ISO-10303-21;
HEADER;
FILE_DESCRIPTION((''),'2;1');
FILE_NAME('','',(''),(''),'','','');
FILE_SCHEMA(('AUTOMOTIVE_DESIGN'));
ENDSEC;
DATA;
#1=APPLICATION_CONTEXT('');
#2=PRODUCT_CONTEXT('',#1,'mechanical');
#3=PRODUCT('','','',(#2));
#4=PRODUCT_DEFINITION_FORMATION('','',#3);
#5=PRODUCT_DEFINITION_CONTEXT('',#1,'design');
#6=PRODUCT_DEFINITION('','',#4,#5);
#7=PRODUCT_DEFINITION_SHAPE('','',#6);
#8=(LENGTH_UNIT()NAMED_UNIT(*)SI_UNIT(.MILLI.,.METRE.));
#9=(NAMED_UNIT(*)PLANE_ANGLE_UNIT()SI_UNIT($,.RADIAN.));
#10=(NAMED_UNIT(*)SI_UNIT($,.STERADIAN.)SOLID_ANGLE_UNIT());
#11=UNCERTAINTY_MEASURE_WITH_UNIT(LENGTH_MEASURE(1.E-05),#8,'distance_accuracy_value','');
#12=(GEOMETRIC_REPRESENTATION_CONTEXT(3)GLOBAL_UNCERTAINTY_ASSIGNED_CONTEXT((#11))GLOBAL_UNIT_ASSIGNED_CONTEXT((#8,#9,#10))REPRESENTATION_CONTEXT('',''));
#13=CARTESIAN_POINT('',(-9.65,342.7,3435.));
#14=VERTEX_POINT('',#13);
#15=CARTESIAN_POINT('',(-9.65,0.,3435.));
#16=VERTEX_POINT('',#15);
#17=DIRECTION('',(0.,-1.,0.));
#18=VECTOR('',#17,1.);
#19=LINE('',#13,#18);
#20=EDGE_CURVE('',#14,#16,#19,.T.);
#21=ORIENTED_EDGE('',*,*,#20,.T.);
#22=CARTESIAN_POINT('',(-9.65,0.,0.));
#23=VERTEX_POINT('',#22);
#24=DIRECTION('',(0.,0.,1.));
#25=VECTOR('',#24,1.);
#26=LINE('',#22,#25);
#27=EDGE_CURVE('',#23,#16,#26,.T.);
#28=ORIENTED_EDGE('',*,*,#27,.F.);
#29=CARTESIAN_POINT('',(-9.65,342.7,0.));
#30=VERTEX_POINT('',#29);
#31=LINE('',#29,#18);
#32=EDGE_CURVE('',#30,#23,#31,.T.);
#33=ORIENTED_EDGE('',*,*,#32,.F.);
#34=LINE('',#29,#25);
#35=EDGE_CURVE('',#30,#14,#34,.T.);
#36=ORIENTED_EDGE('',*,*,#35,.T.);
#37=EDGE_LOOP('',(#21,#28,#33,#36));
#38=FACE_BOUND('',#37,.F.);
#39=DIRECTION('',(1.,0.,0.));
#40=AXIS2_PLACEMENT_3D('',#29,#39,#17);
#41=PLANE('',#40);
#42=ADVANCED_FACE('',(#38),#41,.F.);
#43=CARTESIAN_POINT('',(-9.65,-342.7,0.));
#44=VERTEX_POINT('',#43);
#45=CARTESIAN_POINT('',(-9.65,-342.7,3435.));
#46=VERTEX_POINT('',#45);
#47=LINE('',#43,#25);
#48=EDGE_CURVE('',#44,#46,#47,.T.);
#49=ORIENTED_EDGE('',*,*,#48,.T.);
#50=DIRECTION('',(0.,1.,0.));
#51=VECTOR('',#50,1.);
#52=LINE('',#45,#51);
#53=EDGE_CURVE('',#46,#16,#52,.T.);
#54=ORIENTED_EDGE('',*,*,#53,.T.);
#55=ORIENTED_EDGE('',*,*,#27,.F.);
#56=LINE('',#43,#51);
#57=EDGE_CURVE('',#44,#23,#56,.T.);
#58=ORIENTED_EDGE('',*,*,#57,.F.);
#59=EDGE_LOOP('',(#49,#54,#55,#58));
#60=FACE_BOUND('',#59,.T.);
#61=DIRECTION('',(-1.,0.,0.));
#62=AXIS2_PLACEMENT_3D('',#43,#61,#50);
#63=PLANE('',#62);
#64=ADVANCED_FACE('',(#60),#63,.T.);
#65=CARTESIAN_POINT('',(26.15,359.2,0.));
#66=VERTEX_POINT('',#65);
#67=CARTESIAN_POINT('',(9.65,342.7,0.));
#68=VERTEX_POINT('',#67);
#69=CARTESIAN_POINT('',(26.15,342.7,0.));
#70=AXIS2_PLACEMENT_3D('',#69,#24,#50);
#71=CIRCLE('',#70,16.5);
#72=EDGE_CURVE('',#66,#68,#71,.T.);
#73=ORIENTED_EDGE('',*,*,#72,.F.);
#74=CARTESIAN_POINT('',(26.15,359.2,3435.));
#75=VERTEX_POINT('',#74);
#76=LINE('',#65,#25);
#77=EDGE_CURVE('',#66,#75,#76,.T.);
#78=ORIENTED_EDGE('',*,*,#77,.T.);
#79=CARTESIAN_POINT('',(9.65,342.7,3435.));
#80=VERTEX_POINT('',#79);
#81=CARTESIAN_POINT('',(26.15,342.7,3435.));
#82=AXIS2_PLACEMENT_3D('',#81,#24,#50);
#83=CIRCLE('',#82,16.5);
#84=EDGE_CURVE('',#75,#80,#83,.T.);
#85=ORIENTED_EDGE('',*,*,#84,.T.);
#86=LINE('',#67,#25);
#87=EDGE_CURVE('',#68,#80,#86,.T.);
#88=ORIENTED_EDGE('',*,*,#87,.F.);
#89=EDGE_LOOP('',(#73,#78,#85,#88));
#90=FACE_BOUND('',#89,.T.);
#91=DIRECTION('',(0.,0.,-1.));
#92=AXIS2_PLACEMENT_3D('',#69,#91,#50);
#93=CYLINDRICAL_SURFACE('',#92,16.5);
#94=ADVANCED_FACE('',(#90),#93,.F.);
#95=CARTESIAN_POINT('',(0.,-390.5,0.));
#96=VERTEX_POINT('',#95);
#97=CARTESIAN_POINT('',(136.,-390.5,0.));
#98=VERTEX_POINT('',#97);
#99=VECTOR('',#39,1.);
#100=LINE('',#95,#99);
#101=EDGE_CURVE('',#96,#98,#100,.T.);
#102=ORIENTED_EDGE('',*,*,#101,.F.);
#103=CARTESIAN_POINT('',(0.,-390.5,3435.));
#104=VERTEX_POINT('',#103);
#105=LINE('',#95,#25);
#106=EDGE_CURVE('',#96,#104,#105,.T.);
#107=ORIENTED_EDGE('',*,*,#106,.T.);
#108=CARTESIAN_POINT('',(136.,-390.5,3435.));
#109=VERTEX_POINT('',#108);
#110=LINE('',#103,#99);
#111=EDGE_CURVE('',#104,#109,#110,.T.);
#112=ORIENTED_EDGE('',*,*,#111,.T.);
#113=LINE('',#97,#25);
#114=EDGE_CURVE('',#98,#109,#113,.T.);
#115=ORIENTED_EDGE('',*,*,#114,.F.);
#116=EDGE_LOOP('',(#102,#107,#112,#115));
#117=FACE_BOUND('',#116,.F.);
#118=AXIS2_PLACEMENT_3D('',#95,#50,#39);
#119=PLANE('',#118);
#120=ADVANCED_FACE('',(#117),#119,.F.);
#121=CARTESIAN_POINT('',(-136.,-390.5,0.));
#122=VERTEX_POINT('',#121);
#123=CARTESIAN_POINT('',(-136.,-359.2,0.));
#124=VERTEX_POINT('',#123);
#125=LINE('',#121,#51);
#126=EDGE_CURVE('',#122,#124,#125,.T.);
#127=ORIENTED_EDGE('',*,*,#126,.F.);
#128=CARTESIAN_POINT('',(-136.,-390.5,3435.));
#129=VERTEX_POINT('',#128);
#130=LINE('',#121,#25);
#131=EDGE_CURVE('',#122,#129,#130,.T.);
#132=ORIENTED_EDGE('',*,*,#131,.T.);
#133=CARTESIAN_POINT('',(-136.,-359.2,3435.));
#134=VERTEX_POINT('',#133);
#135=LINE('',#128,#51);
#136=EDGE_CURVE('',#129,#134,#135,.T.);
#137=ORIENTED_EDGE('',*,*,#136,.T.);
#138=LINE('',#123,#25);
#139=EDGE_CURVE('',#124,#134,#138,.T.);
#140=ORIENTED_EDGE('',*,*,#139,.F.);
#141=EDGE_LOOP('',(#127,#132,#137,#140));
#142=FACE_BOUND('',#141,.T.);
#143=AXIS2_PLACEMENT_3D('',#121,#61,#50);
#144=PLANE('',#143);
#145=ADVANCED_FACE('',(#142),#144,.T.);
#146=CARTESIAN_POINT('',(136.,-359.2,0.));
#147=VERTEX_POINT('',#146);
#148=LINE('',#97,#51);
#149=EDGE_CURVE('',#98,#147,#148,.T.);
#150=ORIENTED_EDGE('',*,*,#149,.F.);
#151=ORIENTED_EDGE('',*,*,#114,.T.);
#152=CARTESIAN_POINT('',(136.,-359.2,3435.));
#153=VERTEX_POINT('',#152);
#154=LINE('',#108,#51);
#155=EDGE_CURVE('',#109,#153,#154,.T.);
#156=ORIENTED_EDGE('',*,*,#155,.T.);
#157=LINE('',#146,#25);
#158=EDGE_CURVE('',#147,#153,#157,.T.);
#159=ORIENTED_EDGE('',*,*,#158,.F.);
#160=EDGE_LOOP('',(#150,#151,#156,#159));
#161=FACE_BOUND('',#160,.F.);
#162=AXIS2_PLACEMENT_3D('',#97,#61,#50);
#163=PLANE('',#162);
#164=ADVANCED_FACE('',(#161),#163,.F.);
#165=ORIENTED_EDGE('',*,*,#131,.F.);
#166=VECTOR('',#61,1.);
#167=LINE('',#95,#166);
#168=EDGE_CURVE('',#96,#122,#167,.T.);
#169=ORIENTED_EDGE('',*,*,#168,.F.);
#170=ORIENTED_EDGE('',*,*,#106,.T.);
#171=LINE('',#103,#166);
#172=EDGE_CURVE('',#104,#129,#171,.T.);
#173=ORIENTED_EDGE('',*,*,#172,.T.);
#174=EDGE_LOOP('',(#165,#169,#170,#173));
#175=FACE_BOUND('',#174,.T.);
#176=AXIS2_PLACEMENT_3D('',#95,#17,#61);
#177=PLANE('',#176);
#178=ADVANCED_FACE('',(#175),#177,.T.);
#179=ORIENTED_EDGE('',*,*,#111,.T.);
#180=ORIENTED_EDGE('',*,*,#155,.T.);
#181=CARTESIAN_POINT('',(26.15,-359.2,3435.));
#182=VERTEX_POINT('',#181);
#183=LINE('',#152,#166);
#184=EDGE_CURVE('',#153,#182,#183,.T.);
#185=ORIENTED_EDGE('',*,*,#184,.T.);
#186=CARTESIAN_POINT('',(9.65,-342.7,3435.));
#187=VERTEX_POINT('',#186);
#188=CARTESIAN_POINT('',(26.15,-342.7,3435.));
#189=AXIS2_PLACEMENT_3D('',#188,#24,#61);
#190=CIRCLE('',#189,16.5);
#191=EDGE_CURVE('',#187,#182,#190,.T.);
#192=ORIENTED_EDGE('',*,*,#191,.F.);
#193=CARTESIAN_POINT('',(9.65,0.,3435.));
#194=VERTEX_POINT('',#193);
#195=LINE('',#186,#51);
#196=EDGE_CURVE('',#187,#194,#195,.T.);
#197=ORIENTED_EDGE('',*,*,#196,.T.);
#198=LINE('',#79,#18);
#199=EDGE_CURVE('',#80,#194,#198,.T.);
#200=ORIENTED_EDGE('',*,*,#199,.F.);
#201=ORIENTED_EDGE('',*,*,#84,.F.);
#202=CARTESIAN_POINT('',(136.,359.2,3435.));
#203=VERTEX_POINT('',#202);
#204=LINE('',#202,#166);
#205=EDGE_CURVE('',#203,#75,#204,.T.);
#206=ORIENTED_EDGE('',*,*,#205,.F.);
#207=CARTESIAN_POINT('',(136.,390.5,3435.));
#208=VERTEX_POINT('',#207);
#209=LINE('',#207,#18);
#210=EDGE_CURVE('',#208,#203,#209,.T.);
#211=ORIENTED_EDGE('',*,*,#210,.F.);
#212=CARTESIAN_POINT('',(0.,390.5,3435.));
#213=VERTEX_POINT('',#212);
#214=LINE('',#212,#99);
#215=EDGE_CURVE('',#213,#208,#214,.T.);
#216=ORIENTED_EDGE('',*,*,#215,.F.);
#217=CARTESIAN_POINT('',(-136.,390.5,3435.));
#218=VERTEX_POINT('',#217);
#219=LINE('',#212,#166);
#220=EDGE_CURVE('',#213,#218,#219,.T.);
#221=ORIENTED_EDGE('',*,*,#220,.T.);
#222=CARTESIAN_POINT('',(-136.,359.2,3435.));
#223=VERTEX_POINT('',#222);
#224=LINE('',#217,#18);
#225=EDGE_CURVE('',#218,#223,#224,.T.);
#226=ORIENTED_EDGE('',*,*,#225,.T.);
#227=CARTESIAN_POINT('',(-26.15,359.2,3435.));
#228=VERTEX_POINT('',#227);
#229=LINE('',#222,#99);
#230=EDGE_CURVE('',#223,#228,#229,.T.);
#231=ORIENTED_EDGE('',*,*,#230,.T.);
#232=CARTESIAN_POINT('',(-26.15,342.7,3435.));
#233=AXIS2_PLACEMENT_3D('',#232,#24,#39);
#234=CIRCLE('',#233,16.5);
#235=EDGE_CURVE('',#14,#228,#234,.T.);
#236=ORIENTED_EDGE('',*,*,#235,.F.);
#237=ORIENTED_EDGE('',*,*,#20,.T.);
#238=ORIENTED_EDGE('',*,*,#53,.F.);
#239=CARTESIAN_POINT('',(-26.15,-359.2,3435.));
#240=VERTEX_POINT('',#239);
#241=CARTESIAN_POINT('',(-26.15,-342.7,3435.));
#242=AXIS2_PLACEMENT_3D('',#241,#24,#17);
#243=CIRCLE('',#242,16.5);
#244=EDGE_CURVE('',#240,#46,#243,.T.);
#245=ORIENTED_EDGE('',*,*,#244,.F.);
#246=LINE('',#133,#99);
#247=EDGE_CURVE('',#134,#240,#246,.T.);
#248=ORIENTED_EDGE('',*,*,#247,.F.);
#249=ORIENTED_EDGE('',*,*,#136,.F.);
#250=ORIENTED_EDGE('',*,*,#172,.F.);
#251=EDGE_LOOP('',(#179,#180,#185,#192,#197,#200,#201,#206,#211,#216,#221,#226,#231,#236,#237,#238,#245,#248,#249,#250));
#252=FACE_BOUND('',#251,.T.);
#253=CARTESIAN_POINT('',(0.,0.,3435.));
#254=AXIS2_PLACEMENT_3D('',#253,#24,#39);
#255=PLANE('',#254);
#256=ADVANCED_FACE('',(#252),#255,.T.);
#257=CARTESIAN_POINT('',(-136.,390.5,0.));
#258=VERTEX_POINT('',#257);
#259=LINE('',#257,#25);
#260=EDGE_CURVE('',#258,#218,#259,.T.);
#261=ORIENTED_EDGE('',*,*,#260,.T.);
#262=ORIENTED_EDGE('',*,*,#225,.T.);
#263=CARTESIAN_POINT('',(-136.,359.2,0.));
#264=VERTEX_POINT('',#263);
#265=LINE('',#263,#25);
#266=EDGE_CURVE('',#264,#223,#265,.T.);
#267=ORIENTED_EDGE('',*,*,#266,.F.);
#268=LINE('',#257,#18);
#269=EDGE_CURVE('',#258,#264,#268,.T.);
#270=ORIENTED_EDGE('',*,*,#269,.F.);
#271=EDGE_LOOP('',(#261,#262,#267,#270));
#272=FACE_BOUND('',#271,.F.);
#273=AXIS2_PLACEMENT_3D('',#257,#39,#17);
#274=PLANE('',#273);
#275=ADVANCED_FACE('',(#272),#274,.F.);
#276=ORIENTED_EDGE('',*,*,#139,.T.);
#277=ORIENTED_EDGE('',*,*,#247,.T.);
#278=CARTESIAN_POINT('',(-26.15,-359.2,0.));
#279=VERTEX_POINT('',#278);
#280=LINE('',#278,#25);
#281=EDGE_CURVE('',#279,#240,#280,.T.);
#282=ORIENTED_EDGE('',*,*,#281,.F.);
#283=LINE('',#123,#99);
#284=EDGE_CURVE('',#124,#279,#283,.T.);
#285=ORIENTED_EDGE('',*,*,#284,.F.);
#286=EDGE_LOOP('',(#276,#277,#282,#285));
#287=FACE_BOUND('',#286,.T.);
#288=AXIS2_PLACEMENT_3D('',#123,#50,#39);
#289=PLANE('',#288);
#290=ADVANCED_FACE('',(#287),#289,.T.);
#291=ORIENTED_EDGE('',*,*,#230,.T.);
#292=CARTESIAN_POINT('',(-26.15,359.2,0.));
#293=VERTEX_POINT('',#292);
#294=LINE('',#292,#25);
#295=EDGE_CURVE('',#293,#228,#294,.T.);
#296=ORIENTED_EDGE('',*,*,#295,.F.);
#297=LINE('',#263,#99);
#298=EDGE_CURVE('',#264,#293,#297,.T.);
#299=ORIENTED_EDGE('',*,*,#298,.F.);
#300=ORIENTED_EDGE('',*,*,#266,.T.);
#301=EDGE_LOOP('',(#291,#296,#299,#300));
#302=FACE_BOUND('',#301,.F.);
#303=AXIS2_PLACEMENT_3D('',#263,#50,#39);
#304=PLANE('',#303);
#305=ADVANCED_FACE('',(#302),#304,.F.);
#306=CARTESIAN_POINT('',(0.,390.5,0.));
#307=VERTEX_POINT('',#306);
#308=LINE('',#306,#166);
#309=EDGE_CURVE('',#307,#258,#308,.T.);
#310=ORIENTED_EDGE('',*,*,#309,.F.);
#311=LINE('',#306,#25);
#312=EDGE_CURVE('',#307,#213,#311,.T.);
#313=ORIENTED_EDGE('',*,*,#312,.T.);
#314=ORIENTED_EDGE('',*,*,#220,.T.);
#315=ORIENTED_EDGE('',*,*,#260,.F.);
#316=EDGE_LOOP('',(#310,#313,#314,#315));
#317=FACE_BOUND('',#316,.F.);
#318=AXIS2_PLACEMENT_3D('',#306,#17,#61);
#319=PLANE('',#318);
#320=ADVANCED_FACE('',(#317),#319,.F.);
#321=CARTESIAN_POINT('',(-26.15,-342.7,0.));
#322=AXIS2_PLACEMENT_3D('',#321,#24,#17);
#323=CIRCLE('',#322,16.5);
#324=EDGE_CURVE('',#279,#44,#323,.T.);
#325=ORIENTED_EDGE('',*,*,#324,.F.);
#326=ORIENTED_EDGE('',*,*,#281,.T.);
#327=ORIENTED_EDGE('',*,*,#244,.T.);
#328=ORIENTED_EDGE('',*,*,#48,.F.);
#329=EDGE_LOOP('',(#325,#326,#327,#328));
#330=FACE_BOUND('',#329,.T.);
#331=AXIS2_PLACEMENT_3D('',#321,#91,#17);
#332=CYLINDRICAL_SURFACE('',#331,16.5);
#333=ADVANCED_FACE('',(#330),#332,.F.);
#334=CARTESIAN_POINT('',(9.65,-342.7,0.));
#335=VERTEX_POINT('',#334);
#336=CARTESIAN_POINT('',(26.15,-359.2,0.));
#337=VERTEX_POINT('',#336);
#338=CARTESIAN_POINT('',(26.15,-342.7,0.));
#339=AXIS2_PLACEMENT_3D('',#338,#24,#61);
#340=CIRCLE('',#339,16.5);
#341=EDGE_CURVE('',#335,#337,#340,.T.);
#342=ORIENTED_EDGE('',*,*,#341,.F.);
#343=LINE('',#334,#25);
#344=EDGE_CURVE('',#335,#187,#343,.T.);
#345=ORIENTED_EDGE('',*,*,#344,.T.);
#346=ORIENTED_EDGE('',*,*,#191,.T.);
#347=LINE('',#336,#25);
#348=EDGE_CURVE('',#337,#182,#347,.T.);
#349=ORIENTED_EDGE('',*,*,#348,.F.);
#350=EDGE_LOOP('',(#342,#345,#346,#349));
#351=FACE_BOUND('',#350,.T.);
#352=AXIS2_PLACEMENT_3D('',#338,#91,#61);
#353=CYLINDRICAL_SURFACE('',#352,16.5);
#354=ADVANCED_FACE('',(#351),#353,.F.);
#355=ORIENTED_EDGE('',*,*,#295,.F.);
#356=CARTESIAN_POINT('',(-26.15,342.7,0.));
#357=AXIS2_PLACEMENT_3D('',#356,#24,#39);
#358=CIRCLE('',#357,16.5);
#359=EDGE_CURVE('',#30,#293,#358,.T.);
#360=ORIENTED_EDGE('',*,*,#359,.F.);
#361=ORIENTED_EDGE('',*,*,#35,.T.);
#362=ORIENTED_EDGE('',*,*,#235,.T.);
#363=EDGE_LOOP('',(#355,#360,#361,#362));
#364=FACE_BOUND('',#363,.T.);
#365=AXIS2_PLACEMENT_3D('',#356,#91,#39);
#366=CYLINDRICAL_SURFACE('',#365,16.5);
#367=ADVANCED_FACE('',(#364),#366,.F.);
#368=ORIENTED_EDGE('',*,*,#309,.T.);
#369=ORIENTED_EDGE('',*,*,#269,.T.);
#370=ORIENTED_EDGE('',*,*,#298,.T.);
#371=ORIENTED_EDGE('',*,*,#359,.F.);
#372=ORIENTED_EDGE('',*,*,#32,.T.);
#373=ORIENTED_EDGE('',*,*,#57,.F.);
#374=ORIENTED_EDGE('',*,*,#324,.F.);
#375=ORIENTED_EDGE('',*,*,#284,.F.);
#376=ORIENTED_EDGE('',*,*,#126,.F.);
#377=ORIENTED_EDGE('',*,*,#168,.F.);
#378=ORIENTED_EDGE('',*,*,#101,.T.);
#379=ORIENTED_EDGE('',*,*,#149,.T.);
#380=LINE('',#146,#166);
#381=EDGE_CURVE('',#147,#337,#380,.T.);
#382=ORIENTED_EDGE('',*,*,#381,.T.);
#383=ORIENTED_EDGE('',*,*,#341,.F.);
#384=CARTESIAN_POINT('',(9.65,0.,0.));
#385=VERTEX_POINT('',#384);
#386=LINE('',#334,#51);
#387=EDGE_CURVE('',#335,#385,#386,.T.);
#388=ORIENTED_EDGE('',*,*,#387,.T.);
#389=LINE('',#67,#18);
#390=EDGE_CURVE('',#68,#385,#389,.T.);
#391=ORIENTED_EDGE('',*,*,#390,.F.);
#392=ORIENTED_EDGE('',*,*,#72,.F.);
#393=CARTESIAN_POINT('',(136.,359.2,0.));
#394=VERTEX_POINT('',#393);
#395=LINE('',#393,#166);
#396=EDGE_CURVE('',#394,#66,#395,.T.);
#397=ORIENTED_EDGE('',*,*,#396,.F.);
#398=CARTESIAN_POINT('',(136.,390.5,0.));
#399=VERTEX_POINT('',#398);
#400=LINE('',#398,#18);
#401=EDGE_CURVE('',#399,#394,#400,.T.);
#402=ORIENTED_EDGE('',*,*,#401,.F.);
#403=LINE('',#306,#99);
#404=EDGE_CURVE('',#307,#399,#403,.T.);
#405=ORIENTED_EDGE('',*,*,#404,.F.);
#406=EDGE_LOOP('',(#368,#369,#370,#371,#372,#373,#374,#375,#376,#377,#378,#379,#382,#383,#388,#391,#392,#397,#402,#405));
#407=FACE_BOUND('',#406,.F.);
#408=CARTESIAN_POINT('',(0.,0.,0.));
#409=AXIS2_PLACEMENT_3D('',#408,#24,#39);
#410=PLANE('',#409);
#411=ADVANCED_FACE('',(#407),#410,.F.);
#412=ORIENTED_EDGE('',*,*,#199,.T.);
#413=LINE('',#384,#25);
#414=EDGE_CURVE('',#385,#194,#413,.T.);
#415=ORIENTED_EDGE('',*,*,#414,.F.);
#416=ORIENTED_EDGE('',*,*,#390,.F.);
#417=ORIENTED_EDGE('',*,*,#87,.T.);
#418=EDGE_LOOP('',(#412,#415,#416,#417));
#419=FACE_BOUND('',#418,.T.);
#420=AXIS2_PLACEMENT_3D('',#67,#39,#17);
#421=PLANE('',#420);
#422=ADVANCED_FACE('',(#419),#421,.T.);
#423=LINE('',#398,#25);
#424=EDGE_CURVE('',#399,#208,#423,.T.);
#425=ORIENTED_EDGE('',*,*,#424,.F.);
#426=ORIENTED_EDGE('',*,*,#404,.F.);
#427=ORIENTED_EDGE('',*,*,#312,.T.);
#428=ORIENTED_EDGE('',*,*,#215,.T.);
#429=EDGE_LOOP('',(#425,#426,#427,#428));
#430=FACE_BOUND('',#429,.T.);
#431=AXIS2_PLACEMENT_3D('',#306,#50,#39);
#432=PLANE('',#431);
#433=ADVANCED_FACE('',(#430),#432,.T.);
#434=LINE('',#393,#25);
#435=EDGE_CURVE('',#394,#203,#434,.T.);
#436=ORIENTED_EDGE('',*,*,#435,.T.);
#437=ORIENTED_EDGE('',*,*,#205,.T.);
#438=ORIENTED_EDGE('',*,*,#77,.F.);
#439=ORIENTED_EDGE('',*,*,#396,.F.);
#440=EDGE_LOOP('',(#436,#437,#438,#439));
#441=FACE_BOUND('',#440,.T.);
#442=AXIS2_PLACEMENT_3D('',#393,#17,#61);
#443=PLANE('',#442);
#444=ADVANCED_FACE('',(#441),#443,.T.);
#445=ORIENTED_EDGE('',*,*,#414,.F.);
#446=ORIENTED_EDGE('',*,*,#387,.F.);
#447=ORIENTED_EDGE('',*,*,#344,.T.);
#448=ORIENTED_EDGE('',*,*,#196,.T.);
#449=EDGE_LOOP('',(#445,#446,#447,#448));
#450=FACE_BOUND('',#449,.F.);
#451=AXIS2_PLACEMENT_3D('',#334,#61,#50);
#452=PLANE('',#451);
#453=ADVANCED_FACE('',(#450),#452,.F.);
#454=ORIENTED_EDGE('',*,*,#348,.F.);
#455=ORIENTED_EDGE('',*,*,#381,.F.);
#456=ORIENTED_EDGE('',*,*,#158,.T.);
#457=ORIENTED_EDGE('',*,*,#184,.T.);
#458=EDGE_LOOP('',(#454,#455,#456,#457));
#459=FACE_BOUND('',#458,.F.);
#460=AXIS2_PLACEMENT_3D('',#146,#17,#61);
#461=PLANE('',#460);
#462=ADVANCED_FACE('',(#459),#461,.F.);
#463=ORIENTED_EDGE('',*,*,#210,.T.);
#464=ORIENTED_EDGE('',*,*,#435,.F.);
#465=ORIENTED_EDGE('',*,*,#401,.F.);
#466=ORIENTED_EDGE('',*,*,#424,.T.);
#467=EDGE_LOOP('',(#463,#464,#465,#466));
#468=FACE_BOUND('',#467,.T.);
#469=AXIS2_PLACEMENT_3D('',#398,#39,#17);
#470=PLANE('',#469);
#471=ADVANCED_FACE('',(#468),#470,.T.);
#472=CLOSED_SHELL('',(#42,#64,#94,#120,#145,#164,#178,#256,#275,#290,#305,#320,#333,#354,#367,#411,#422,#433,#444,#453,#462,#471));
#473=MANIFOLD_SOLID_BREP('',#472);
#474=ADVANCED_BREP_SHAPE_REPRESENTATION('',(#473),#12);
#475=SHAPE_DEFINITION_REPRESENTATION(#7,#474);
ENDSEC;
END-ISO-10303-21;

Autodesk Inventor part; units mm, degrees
ref_plane "YZ Plane" through (0, 0, 0) normal (1, 0, 0) x (0, 1, 0)
ref_plane "Start plane" through (0, 0, 0) normal (0, 0, 1) x (1, 0, 0)
ref_plane "End plane" through (0, 0, 3435) normal (0, 0, 1) x (1, 0, 0)
sketch "Sketch" plane through (0, 0, 0) normal (0, 0, 1) x (1, 0, 0)
  line L0 (-136, -390.5) -> (-136, -359.2)
  line L1 (-136, -359.2) -> (-26.15, -359.2)
  line L2 (-9.65, -342.7) -> (-9.65, 0)
  line L3 (-9.65, 0) -> (0, 0) construction
  line L4 (0, 0) -> (0, -390.5) construction
  line L5 (0, -390.5) -> (-136, -390.5)
  line L6 (-60, 0) -> (80, 0) construction
  line L7 (0, -60) -> (0, 80) construction
  line L8 (136, -390.5) -> (136, -359.2)
  line L9 (136, -359.2) -> (26.15, -359.2)
  line L10 (9.65, -342.7) -> (9.65, 0)
  line L11 (9.65, 0) -> (0, 0) construction
  line L12 (0, -390.5) -> (136, -390.5)
  line L13 (-136, 390.5) -> (-136, 359.2)
  line L14 (-136, 359.2) -> (-26.15, 359.2)
  line L15 (-9.65, 342.7) -> (-9.65, 0)
  line L16 (0, 390.5) -> (-136, 390.5)
  line L17 (136, 390.5) -> (136, 359.2)
  line L18 (136, 359.2) -> (26.15, 359.2)
  line L19 (0, 390.5) -> (136, 390.5)
  line L20 (9.65, 342.7) -> (9.65, 0)
  arc A0 (-9.65, 342.7) -> (-26.15, 359.2) centre (-26.15, 342.7) ccw
  arc A1 (26.15, 359.2) -> (9.65, 342.7) centre (26.15, 342.7) ccw
  arc A2 (9.65, -342.7) -> (26.15, -359.2) centre (26.15, -342.7) ccw
  arc A3 (-26.15, -359.2) -> (-9.65, -342.7) centre (-26.15, -342.7) ccw
  line L21 (0, 108) -> (0, -88) construction
  line L22 (-88, 0) -> (108, 0) construction
  point P0 (-9.65, -359.2)
  point P1 (9.65, -359.2)
  point P2 (-9.65, 359.2)
  point P3 (9.65, 359.2)
  dimension "d1" = 390.5
  dimension "d2" = 31.3
  dimension "d3" = 136
  dimension "d4" = 9.65
  dimension "d10" = 16.5
extrude "Body" add sketch "Sketch" along normal up to surface (3435 mm away) from surface at 0
sketch "Sketch4" plane through (0, 0, 0) normal (0, 0, 1) x (1, 0, 0)
  line L0 (0, 0) -> (10, 0)
ref_plane "Work Plane3" through (0, 0, 0) normal (0, -1, 0) x (1, 0, 0)
sketch "Sketch5" plane through (0, 0, 0) normal (0, -1, 0) x (1, 0, 0)
  line L0 (-2, 0) -> (12, 0) projected
  line L1 (-2, 3435) -> (12, 3435) projected
  dimension "d14" = 3435
equation "\"d1\" = 0.5 * G_H"
equation "\"d2\" = G_T1"
equation "\"d3\" = 0.5 * G_W"
equation "\"d4\" = 0.5 * G_T"
equation "\"d10\" = G_IR"
equation "\"d5\" = G_L"
equation "\"G_W\" = 272"
equation "\"G_H\" = 781"
equation "\"G_T\" = 19.3"
equation "\"G_T1\" = 31.3"
equation "\"G_IR\" = 16.5"
equation "\"G_L\" = d14"
equation "\"G_OFFSET_START\" = 0"
equation "\"G_OFFSET_END\" = 0"
equation "\"d12\" = G_OFFSET_END + B_L"
equation "\"B_L\" = 3435"
properties part number "AS 3679-1990 - 760 UB - 244 - 3435" material "Steel, Mild"
